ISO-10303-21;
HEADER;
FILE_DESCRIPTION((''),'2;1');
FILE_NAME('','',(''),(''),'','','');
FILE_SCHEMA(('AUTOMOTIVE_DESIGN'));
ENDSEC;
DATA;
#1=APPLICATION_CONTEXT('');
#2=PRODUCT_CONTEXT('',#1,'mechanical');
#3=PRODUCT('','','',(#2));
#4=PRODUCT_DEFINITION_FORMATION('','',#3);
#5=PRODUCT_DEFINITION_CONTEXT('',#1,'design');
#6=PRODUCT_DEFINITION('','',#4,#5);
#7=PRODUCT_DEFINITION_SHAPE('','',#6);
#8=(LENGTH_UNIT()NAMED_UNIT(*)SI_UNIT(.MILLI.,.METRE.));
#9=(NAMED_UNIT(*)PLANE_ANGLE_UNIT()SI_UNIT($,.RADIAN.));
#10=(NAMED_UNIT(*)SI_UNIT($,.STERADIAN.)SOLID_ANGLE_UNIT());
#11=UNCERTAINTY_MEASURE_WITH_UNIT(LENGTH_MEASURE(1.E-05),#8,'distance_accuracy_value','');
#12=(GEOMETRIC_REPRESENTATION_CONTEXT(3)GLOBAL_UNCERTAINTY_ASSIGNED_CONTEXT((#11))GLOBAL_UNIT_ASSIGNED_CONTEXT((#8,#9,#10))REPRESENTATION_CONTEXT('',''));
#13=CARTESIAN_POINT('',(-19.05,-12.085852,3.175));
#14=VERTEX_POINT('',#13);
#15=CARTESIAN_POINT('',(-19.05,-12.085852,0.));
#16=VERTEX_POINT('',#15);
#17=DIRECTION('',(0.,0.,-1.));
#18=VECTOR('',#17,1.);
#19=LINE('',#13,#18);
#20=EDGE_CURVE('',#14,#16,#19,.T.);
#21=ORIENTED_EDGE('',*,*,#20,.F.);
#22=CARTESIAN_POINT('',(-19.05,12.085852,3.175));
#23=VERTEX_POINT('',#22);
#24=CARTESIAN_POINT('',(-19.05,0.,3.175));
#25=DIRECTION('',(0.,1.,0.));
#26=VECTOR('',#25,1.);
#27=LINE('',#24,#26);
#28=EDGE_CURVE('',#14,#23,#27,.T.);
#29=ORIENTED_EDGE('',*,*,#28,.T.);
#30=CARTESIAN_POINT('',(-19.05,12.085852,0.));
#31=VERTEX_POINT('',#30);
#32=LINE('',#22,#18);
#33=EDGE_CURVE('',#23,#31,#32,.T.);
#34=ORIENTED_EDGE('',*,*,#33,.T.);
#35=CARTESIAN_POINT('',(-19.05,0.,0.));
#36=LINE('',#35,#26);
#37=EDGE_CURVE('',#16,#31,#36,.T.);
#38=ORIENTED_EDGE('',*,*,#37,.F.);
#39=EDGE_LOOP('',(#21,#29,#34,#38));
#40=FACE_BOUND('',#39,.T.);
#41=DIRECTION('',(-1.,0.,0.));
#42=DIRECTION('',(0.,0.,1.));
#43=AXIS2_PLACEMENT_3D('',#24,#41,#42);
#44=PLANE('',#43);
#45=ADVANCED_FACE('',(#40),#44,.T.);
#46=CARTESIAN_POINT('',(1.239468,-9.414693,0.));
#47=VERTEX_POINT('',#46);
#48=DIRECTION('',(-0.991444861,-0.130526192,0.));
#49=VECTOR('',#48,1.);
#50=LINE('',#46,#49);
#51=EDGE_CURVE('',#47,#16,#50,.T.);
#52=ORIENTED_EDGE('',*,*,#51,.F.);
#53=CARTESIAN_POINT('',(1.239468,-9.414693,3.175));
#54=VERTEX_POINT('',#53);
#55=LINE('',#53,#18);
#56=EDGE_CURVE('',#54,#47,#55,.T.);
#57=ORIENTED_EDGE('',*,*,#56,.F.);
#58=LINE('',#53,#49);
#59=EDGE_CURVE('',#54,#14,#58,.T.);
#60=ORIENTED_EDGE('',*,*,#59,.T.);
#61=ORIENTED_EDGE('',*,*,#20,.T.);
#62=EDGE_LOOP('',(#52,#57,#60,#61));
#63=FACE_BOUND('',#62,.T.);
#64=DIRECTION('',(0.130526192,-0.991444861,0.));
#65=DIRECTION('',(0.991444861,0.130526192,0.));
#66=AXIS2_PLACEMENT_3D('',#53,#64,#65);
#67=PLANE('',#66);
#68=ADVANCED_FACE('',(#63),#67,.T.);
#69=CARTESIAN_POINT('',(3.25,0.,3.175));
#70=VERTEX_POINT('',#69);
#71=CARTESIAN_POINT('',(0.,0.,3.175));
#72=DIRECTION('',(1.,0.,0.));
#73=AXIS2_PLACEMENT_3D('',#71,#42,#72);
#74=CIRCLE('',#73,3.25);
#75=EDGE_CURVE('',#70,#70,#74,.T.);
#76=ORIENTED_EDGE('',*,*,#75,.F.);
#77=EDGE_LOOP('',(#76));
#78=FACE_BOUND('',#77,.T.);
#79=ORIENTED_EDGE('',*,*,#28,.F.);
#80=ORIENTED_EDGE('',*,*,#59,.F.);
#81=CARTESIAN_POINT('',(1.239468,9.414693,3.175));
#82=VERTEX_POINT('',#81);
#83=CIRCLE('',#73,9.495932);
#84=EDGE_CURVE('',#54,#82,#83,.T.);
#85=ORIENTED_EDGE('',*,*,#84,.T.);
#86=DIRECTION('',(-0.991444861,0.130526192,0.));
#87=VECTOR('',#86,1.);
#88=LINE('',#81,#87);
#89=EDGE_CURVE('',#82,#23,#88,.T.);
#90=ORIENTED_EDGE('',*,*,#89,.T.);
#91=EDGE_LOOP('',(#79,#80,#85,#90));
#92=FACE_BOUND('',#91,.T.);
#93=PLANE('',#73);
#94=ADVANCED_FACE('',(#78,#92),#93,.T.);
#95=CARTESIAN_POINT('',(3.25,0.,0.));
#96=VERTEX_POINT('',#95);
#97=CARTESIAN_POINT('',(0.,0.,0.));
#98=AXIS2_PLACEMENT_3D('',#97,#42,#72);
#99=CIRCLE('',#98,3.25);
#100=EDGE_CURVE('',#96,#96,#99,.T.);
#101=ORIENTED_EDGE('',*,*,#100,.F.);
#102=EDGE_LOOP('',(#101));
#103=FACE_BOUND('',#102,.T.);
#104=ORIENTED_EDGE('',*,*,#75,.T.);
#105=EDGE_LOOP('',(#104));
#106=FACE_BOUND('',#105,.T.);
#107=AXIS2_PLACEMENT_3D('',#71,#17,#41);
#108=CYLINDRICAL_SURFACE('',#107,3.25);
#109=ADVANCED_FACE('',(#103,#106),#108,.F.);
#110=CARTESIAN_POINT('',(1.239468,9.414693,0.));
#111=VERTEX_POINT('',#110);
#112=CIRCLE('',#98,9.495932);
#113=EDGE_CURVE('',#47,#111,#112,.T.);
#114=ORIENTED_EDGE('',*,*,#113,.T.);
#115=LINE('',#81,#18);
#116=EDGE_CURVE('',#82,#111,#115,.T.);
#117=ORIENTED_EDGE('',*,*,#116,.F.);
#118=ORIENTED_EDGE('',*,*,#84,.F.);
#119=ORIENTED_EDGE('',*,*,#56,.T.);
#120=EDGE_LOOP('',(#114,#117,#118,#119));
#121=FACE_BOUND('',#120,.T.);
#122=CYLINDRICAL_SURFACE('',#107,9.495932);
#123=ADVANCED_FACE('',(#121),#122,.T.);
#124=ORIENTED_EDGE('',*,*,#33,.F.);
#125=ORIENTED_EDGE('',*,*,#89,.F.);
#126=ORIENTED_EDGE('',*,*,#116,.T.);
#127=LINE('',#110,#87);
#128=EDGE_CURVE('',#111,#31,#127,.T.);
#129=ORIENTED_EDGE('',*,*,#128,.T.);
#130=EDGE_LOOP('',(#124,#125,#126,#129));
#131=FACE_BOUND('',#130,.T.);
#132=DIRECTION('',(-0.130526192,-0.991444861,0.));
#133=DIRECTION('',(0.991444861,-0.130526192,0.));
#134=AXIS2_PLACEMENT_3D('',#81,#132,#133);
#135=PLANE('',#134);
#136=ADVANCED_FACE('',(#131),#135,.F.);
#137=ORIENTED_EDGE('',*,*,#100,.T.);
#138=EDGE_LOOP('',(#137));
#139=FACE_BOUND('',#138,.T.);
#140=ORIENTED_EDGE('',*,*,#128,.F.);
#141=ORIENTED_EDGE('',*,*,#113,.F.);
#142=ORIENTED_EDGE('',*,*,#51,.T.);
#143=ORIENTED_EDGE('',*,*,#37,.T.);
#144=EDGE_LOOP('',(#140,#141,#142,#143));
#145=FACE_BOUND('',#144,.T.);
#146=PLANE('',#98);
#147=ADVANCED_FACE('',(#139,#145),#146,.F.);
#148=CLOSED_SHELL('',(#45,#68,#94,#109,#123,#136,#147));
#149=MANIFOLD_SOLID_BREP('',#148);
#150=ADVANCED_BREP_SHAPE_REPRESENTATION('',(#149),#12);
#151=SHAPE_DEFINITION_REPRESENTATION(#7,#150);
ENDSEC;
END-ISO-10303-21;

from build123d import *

# Parameters (mm, degrees)
SKETCH1_R           = 3.25
BOSS_EXTRUDE1_DEPTH = 3.175


with BuildPart() as part:
    # Sketch1 → Boss-Extrude1 (new body)
    with BuildSketch(Plane(origin=(-1053.740804459, 0, 0), x_dir=(1, 0, 0), z_dir=(0, 0, 1))):
        with BuildLine():
            Line((1034.690804459, -12.085852313), (1054.980272331, -9.414693193))
            ThreePointArc((1054.980272331, -9.414693193), (1063.236736668, 0), (1054.980272331, 9.414693193))
            Line((1054.980272331, 9.414693193), (1034.690804459, 12.085852313))
            Line((1034.690804459, 12.085852313), (1034.690804459, -12.085852313))
        make_face()
        with Locations((1053.740804459, 0)):
            Circle(SKETCH1_R, mode=Mode.SUBTRACT)
    extrude(amount=BOSS_EXTRUDE1_DEPTH)


solid = part.part
